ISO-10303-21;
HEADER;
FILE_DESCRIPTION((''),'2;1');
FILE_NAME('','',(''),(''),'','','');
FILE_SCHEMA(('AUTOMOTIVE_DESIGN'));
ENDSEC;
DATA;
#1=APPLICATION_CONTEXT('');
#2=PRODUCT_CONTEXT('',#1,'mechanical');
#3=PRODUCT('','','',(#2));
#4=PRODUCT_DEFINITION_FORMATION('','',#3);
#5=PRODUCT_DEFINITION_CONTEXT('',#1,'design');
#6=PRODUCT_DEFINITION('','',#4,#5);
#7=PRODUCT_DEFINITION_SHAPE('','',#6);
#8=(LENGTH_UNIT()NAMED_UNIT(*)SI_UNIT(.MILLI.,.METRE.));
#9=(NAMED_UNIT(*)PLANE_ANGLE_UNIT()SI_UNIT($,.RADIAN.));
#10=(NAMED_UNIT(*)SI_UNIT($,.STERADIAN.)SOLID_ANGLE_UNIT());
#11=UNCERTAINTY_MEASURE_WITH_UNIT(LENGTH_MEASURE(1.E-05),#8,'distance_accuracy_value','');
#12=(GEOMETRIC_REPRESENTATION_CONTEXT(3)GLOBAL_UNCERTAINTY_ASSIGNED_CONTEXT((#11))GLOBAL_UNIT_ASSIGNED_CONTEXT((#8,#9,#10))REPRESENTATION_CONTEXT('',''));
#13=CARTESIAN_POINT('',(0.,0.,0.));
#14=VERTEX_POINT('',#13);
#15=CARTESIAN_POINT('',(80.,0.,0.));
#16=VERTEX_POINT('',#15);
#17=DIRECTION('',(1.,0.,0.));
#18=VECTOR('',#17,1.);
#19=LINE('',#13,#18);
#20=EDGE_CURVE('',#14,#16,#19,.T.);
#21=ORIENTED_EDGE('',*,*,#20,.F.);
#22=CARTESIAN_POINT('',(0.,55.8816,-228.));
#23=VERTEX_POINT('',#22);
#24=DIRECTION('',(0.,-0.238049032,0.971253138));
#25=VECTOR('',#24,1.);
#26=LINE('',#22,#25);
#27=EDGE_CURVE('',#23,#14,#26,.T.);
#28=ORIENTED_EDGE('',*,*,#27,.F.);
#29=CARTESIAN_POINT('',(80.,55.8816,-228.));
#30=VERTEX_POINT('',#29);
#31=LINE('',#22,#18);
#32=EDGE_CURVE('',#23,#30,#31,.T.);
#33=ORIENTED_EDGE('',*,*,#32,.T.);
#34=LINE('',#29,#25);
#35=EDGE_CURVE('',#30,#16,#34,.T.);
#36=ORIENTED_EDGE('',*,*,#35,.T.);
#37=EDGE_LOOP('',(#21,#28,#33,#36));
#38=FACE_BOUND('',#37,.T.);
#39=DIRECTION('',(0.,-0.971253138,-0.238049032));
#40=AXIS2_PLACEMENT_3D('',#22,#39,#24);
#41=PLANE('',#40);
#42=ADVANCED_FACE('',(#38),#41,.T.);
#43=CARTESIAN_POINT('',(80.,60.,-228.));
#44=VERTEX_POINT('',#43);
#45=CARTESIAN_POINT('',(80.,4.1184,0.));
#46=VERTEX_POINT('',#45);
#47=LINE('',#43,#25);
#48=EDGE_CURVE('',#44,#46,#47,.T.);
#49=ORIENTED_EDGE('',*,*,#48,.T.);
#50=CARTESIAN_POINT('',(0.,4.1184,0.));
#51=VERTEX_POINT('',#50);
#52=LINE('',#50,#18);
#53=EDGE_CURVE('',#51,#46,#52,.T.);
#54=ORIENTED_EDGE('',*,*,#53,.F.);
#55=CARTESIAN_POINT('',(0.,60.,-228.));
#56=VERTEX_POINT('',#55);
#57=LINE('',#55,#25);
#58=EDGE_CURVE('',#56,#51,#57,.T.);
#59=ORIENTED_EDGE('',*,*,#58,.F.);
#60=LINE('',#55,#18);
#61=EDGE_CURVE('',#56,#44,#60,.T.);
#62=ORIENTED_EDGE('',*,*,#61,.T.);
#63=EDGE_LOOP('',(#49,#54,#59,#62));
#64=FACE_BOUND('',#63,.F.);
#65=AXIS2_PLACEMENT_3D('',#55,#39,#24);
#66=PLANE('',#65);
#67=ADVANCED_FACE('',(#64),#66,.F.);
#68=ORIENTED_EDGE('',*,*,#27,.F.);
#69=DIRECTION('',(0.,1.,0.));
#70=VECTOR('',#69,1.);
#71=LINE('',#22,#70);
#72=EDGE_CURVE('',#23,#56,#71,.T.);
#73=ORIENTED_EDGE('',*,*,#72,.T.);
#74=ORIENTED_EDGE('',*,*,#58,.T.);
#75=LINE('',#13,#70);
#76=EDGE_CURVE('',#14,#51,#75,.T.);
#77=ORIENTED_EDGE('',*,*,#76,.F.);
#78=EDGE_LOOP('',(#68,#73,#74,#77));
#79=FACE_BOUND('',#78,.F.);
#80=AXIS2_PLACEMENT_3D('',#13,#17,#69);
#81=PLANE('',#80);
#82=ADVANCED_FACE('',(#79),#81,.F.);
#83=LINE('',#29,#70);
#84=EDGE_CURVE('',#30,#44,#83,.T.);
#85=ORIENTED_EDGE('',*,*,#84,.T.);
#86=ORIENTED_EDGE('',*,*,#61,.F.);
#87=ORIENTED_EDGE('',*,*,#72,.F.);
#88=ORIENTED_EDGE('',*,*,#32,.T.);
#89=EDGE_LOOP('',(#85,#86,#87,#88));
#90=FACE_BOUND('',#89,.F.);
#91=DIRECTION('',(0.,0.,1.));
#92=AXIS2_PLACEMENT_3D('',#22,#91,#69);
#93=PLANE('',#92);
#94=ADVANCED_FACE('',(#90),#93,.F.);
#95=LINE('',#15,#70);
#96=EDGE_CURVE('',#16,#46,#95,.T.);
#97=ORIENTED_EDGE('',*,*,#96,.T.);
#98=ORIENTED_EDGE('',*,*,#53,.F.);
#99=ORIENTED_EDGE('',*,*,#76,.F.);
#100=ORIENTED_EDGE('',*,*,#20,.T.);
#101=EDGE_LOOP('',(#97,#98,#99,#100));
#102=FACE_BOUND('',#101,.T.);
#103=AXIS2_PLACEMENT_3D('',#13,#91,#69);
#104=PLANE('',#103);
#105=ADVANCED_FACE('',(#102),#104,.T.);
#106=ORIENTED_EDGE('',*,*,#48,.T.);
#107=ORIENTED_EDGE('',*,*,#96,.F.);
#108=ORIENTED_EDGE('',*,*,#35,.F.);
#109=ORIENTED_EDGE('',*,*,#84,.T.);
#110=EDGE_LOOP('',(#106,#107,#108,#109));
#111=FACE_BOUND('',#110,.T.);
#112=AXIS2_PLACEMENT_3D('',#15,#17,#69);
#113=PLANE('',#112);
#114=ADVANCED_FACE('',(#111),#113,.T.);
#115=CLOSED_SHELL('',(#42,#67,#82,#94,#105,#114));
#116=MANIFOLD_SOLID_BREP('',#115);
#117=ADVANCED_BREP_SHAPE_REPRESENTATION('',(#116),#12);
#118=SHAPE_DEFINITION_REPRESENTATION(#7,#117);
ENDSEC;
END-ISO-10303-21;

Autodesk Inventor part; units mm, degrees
ref_plane "YZ Plane" through (0, 0, 0) normal (1, 0, 0) x (0, 1, 0)
ref_plane "XZ Plane" through (0, 0, 0) normal (0, 1, 0) x (-1, 0, 0)
ref_plane "XY Plane" through (0, 0, 0) normal (0, 0, 1) x (1, 0, 0)
sketch "Skizze1" plane through (0, 0, 0) normal (1, 0, 0) x (0, 1, 0)
  line L0 (55.8816, -228) -> (0, 0)
  line L1 (0, 0) -> (4.1184, 0)
  line L2 (55.8816, -228) -> (60, -228)
  line L3 (60, -228) -> (4.1184, 0)
  line L4 (0, 0) -> (0, -228)
  line L5 (0, -228) -> (60, -228)
  dimension "d17" = 228
  dimension "d18" = 60
  dimension "d19" = 4
extrude "Extrusion2" add sketch "Skizze1" along normal blind 80 contours L0 L1 L3 L2
properties part number "TorraumSchrägeUntenNEU"
